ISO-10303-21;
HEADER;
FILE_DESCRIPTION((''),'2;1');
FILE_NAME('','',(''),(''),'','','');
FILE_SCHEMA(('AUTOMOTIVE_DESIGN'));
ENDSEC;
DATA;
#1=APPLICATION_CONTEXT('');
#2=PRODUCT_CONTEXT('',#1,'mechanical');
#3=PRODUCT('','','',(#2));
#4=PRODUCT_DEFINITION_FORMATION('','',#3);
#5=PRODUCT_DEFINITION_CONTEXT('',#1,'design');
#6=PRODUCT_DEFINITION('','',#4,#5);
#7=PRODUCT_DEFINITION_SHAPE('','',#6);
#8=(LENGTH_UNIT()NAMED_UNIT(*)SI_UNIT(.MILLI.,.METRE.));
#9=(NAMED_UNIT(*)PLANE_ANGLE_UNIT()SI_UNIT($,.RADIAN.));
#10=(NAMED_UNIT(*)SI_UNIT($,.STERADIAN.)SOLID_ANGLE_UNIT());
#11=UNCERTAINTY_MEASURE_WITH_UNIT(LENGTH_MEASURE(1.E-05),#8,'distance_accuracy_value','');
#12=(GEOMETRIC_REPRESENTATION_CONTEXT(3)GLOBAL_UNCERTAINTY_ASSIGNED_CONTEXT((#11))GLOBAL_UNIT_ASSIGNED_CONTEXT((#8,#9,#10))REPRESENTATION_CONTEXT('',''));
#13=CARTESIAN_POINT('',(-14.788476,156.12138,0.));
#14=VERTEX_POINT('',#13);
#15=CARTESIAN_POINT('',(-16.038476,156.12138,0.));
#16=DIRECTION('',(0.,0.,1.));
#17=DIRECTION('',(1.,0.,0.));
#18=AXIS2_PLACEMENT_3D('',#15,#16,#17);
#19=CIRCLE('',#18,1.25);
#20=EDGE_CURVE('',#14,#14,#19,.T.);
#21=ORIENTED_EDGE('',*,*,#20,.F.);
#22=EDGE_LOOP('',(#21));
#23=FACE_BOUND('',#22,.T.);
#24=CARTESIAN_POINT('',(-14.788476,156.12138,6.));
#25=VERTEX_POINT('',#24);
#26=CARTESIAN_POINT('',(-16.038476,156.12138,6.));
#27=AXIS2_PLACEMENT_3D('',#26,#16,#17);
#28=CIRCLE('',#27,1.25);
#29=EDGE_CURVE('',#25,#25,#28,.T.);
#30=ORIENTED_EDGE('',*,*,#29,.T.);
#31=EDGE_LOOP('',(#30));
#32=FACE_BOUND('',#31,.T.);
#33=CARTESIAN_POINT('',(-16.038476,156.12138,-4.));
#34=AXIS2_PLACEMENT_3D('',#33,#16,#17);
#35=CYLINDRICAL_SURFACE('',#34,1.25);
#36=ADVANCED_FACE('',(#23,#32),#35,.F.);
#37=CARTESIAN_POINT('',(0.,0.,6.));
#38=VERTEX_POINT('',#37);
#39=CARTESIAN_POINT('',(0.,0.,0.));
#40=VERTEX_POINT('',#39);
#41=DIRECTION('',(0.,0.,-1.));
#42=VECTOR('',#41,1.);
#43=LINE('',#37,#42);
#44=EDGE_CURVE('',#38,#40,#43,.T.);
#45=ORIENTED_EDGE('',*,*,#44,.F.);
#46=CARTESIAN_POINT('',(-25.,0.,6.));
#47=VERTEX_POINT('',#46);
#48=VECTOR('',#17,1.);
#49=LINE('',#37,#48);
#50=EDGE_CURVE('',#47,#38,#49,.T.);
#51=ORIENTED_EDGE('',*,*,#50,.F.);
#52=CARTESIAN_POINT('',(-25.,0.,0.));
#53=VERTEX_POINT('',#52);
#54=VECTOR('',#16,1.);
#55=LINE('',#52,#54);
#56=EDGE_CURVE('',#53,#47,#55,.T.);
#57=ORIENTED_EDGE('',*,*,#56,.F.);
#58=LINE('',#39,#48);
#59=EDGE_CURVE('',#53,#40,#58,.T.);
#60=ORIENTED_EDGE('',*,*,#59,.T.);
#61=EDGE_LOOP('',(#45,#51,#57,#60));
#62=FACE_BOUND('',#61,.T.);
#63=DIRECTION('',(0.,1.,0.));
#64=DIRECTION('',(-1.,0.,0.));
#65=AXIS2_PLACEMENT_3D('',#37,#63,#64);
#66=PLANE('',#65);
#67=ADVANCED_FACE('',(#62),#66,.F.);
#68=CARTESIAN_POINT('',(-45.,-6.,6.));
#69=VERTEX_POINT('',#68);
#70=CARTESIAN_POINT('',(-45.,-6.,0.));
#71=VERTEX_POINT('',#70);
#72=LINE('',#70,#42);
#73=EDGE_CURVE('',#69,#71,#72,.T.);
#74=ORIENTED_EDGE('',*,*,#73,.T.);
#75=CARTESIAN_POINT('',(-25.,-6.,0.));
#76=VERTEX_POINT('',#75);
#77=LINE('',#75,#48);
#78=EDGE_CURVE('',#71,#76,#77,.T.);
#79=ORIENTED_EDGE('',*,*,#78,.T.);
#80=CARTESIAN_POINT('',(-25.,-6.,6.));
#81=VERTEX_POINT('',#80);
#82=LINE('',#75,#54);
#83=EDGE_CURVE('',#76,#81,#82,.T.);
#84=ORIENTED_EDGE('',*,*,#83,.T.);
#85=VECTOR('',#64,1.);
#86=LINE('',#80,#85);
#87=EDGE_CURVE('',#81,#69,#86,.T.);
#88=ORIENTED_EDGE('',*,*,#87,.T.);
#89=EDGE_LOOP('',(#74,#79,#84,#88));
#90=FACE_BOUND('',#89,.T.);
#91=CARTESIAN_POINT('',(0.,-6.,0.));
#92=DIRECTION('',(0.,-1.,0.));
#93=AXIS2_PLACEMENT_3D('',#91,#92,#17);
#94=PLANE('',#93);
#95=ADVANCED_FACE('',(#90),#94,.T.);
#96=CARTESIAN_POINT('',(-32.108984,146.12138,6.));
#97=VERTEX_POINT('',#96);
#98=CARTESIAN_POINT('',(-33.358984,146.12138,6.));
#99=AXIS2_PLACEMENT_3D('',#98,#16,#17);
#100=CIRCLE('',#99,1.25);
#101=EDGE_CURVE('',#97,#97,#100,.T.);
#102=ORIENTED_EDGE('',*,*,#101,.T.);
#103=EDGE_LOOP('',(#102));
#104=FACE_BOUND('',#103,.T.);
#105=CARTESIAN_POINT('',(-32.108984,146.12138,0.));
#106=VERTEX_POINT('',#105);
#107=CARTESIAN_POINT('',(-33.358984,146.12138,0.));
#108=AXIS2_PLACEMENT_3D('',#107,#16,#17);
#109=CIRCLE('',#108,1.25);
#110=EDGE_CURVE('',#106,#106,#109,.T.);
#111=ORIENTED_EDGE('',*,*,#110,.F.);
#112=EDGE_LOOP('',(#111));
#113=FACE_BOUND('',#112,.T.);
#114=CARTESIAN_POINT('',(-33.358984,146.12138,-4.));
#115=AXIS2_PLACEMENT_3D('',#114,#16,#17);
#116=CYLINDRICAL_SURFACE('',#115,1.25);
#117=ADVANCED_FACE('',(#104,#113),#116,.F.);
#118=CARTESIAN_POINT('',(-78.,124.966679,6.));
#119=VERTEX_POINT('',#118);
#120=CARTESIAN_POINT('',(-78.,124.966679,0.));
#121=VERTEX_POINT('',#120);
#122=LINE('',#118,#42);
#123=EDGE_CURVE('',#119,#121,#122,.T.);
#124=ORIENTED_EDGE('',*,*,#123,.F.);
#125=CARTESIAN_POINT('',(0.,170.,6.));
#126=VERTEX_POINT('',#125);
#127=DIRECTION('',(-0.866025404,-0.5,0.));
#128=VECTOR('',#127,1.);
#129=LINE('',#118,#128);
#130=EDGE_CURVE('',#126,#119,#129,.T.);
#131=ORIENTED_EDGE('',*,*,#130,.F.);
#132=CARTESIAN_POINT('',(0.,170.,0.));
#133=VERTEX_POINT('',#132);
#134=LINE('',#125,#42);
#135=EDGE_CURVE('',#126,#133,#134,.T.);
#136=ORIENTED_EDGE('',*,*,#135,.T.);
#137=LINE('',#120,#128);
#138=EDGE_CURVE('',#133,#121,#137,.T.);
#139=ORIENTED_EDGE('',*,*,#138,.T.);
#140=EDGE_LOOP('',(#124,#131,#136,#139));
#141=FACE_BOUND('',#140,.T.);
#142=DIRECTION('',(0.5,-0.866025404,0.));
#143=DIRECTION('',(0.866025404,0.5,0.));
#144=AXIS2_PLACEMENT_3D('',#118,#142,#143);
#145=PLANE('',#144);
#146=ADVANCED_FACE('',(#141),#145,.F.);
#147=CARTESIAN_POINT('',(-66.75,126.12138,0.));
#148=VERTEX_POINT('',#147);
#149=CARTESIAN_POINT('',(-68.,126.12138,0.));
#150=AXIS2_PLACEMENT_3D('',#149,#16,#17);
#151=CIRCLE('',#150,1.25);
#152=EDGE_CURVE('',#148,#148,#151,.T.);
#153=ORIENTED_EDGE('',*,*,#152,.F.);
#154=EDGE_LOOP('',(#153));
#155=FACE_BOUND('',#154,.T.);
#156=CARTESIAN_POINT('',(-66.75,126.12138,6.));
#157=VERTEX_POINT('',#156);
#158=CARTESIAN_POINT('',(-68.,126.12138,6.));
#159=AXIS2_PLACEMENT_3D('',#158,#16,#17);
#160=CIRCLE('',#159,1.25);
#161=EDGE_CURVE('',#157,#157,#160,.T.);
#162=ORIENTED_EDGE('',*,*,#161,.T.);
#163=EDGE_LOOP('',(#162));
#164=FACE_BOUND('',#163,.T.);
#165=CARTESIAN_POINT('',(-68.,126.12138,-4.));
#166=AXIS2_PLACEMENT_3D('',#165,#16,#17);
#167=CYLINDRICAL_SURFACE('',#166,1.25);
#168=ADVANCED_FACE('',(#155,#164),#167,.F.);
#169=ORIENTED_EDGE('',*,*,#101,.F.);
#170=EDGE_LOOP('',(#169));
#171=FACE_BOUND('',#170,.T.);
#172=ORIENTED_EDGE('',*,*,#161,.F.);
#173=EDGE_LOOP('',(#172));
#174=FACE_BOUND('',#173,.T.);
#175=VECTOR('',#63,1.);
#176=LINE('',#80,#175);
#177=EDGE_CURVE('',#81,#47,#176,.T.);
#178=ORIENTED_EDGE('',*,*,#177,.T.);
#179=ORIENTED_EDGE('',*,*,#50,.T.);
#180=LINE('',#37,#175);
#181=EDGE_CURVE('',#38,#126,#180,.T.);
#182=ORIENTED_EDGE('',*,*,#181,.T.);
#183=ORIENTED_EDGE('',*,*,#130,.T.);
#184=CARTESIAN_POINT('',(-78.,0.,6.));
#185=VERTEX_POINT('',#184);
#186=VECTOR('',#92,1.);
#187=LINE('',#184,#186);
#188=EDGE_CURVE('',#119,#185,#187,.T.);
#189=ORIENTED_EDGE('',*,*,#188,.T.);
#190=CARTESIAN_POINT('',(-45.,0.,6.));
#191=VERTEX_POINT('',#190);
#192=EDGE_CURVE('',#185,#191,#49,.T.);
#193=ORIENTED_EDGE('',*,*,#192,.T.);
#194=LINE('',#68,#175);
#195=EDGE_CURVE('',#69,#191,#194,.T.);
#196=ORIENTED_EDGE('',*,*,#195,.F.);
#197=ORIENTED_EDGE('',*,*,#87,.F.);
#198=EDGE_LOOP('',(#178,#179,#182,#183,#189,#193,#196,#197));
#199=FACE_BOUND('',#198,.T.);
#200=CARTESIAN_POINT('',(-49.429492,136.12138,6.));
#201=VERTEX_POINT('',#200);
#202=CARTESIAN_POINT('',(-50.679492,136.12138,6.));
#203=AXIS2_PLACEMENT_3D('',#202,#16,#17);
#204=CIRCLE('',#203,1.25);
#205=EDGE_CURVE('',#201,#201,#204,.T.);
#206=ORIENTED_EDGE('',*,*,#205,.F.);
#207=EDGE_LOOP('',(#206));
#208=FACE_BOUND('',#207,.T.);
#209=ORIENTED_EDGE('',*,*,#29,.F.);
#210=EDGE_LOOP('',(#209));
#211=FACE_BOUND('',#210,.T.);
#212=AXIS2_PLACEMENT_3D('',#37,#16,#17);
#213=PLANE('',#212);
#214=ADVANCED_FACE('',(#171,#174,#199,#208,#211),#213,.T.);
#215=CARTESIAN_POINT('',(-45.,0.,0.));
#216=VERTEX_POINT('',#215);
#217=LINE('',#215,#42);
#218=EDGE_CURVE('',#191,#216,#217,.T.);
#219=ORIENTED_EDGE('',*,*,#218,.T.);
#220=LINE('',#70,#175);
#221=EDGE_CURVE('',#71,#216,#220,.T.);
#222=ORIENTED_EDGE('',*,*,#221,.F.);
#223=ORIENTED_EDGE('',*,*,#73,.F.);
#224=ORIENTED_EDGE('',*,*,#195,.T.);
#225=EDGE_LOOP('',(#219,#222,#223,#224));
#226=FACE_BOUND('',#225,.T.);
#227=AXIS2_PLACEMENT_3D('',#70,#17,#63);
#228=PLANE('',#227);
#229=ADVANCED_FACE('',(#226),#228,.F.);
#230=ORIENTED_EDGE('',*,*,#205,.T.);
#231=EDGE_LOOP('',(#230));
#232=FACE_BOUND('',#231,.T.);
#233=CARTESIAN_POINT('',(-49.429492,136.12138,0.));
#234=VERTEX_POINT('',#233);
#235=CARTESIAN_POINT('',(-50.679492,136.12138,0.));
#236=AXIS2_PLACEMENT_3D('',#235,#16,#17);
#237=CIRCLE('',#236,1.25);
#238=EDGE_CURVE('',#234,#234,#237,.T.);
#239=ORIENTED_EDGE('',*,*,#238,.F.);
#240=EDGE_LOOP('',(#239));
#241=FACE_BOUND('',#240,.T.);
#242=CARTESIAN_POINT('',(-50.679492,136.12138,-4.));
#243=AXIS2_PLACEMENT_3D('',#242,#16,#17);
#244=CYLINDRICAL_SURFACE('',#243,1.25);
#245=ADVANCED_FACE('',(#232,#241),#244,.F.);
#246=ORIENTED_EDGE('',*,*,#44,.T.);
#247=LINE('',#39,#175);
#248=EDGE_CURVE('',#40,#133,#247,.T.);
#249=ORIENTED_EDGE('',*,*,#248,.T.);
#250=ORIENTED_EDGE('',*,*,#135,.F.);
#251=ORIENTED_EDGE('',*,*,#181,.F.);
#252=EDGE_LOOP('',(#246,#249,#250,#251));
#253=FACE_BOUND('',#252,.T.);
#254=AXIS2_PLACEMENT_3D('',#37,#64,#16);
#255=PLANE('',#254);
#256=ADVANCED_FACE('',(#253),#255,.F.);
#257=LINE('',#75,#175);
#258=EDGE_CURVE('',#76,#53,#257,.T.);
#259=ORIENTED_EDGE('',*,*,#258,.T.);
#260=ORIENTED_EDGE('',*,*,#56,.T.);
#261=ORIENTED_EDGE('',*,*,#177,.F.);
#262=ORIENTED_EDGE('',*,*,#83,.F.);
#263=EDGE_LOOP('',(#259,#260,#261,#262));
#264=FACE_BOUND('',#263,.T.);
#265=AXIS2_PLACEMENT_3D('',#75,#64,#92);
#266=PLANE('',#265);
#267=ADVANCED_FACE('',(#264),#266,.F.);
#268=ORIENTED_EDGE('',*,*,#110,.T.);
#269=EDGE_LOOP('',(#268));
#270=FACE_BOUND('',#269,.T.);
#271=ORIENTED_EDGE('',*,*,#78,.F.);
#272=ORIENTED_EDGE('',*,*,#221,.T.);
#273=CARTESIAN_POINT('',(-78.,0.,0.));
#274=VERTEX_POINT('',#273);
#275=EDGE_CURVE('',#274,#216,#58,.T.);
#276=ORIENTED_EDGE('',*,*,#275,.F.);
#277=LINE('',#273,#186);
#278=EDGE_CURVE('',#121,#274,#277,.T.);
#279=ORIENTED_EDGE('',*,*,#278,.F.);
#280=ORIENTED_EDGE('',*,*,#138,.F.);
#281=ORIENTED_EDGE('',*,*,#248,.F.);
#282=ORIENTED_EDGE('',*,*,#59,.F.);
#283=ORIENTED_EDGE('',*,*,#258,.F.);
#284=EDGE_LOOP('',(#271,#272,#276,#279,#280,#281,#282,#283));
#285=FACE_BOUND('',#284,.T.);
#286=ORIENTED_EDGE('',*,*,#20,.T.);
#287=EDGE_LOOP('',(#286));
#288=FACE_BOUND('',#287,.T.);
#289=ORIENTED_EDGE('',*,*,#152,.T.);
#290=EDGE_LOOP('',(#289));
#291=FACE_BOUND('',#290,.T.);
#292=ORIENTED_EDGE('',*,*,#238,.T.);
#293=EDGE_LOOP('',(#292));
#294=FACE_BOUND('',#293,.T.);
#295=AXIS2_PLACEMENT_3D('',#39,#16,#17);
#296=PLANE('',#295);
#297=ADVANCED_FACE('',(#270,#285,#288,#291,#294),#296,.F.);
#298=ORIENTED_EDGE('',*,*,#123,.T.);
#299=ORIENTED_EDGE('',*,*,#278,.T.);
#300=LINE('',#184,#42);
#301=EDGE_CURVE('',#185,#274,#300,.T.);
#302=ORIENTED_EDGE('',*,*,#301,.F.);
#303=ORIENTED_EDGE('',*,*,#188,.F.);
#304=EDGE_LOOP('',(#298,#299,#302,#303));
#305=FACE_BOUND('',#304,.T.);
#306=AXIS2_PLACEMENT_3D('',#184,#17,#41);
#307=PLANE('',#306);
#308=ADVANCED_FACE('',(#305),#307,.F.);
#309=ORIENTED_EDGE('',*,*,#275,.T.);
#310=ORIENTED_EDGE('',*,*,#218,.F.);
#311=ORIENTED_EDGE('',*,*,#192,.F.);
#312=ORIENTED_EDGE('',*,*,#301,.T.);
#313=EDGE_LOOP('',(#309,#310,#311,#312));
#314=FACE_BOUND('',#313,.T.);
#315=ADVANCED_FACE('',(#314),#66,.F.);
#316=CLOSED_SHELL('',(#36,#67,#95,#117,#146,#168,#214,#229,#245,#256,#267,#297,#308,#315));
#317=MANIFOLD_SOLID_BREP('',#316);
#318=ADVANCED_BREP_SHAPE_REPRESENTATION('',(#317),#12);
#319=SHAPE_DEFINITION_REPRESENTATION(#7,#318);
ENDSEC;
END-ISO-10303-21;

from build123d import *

# Parameters (mm, degrees)
BOSS_EXTRU_1_DEPTH      = 6
ESQUISSE2_R             = 1.25
ENL_V_MAT_EXTRU_1_DEPTH = 10
ESQUISSE4_W             = 20
ESQUISSE4_H             = 6
BOSS_EXTRU_2_DEPTH      = 6


with BuildPart() as part:
    # Esquisse1 → Boss.-Extru.1 (new body)
    with BuildSketch(Plane.XY):
        Polygon((-78, 0), (-78, 124.966679003), (0, 170), (0, 0), align=None)
    extrude(amount=BOSS_EXTRU_1_DEPTH)

    # Esquisse2 → Enlèv. mat.-Extru.1 (cut)
    with BuildSketch(Plane.XY.offset(6)):
        with Locations((-68, 126.121379542)):
            Circle(ESQUISSE2_R)
        with Locations((-50.679491924, 136.121379542)):
            Circle(ESQUISSE2_R)
        with Locations((-16.038475773, 156.121379542)):
            Circle(ESQUISSE2_R)
        with Locations((-33.358983849, 146.121379542)):
            Circle(ESQUISSE2_R)
    extrude(amount=-ENL_V_MAT_EXTRU_1_DEPTH, mode=Mode.SUBTRACT)

    # Esquisse4 → Boss.-Extru.2 (add)
    with BuildSketch(Plane.XZ):
        with Locations((-35, 3)):
            Rectangle(ESQUISSE4_W, ESQUISSE4_H)
    extrude(amount=BOSS_EXTRU_2_DEPTH)


solid = part.part
